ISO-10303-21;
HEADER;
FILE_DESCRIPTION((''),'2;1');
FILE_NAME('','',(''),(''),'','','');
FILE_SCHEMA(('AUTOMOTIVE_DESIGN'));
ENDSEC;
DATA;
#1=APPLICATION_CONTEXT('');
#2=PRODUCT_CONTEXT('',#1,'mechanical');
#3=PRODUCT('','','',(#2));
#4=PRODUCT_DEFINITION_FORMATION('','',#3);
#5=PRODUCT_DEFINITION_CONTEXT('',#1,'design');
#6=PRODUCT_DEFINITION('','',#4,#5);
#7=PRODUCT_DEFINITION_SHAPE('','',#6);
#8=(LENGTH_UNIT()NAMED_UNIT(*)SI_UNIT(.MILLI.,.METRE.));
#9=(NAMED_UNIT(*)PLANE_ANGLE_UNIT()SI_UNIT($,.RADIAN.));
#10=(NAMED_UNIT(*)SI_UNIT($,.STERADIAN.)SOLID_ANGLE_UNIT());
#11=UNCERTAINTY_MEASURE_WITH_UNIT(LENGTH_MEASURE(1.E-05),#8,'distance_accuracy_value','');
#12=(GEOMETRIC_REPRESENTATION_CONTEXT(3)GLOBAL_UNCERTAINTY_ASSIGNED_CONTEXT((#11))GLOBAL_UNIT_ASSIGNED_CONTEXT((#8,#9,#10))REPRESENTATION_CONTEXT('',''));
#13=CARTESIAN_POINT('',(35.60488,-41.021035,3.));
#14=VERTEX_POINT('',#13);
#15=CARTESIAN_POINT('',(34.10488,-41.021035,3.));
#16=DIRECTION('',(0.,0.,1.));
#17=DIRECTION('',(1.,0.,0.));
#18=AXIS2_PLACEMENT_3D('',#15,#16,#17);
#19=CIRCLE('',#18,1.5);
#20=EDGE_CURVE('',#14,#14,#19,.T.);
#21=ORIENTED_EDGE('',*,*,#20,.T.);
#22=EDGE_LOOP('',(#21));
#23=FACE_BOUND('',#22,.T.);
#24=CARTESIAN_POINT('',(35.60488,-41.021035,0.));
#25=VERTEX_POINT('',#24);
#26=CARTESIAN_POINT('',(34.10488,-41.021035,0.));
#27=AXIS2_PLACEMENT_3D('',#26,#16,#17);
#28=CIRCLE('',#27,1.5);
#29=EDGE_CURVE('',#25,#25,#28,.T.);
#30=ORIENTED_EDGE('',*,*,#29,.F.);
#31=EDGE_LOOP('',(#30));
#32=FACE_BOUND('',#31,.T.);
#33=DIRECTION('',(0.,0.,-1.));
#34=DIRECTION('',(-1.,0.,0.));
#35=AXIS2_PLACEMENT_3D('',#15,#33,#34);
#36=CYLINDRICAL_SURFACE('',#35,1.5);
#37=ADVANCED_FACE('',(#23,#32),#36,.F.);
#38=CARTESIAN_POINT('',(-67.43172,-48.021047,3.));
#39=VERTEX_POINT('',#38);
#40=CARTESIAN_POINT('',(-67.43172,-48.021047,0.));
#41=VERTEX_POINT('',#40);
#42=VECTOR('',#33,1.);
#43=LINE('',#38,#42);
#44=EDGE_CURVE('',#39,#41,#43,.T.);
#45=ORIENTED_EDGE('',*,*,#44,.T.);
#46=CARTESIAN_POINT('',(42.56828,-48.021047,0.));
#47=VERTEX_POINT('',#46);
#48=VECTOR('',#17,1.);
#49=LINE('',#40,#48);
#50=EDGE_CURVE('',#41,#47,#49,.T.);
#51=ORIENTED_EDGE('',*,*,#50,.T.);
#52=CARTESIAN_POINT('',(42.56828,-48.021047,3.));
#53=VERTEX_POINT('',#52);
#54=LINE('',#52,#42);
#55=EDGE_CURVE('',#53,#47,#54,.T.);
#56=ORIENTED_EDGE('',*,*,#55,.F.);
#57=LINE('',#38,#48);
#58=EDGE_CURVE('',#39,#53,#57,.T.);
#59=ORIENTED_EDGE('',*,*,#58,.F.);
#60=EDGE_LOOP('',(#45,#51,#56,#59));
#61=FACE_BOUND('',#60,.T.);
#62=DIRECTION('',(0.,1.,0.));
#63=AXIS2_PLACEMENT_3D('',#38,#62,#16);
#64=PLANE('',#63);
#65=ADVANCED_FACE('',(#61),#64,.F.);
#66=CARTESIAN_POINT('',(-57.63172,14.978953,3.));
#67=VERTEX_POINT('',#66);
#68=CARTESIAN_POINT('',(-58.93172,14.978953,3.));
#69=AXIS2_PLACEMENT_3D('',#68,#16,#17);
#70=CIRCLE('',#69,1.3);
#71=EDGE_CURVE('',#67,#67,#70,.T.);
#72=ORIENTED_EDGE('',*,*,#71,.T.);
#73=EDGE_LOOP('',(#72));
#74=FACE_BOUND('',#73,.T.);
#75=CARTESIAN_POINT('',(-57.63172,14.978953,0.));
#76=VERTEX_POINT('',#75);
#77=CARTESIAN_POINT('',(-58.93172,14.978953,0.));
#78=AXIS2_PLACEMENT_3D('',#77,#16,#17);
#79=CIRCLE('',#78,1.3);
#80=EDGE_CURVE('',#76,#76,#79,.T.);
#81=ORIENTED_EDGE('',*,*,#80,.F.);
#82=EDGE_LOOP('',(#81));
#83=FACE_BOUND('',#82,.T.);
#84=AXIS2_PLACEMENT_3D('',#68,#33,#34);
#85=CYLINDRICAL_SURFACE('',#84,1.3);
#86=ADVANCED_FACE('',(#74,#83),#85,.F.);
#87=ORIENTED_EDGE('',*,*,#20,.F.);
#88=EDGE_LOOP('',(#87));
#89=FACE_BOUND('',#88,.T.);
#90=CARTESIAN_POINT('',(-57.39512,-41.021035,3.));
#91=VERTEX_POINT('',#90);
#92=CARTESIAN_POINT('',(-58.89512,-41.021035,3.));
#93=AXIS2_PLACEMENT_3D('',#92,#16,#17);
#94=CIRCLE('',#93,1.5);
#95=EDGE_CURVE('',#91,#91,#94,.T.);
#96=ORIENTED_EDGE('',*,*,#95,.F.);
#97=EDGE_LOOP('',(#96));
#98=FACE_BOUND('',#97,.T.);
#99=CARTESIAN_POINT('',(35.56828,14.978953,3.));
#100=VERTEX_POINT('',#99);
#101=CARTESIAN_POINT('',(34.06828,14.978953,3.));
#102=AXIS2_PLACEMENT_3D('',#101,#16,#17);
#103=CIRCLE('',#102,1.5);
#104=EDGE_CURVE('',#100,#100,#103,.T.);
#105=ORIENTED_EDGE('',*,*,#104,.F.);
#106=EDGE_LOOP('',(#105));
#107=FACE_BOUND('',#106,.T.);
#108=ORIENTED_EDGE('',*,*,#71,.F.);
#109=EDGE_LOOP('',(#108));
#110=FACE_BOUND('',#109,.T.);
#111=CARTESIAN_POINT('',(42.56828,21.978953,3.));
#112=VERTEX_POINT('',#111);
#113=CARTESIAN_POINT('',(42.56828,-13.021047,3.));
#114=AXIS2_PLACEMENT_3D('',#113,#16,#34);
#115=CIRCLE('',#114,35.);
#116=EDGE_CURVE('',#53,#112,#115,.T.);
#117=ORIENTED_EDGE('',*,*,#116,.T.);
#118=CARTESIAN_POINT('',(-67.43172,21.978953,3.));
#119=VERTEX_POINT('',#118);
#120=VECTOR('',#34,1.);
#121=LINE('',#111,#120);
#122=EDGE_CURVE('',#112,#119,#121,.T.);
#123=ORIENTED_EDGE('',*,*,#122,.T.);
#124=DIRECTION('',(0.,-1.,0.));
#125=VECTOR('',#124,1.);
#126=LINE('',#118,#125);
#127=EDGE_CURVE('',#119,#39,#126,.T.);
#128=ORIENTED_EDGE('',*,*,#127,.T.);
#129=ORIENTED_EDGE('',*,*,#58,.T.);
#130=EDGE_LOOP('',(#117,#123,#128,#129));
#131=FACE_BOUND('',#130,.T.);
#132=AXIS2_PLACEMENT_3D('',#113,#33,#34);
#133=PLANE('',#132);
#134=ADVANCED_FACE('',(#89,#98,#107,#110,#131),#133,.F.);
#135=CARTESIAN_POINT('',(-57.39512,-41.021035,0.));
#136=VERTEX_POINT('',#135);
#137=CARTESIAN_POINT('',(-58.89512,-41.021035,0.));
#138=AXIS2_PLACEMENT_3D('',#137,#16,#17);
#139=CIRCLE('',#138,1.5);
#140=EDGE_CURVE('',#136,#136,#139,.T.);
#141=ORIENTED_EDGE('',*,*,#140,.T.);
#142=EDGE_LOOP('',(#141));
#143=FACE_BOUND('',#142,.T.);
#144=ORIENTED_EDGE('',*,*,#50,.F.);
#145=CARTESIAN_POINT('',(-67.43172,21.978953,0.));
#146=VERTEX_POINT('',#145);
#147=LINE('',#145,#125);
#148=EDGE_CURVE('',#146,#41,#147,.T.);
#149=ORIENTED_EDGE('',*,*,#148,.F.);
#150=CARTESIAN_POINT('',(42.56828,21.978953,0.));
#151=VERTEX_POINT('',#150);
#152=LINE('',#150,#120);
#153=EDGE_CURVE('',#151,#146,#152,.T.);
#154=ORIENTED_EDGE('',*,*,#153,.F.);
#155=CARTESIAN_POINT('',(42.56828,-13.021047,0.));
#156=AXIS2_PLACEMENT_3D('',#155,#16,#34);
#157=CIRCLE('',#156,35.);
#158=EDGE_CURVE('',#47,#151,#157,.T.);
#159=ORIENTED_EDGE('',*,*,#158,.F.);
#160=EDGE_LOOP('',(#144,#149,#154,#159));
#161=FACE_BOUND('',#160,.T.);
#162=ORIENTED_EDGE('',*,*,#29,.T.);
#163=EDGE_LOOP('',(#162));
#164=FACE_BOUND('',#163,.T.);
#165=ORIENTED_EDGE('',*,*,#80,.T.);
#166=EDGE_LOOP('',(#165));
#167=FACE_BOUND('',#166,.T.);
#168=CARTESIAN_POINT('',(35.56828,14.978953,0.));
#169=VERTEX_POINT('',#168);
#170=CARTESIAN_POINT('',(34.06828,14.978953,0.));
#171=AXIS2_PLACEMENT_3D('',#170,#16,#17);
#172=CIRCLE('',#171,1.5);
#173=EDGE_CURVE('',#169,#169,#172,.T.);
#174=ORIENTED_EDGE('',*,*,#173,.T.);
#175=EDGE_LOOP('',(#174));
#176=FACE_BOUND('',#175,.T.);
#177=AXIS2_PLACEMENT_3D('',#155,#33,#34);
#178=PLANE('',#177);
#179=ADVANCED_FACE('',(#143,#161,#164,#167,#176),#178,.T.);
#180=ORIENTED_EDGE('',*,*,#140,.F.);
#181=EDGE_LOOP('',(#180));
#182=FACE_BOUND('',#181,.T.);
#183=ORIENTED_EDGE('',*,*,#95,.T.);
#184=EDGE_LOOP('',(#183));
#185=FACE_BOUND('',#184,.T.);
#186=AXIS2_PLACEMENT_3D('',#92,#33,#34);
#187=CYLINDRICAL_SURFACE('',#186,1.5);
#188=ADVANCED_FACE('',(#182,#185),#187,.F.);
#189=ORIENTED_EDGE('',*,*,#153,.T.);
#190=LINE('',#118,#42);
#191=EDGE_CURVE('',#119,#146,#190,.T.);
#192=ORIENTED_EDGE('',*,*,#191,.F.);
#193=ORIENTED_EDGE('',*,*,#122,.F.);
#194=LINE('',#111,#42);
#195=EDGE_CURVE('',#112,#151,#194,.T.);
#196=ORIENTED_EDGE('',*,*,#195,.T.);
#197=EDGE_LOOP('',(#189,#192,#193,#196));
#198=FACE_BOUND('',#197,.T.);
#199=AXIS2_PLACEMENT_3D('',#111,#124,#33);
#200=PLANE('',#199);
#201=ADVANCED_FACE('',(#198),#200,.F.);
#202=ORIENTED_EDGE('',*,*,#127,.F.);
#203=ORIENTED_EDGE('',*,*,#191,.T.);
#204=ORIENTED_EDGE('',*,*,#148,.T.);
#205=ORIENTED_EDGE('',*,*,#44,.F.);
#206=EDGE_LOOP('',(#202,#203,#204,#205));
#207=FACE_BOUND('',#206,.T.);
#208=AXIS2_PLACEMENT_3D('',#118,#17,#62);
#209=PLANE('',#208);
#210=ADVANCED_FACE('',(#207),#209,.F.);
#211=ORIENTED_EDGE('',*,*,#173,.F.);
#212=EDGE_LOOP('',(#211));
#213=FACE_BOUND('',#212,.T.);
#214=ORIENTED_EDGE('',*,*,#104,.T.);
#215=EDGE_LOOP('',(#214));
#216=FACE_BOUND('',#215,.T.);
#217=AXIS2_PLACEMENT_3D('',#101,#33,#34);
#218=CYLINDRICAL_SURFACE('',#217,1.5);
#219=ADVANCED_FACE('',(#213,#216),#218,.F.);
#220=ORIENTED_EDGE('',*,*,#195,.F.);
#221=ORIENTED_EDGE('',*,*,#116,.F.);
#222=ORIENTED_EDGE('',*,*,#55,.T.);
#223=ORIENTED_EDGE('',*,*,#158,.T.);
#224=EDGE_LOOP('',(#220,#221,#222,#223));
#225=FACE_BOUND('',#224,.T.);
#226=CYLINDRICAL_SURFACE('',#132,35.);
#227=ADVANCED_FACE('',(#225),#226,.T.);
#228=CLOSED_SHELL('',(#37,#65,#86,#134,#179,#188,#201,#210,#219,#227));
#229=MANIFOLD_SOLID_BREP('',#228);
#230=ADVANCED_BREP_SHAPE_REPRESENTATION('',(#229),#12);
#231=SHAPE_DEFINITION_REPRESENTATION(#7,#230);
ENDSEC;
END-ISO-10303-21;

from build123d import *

# Parameters (mm, degrees)
SKETCH1_R           = 1.3
SKETCH1_R_2         = 1.5
BOSS_EXTRUDE1_DEPTH = 3


with BuildPart() as part:
    # Sketch1 → Boss-Extrude1 (new body)
    with BuildSketch(Plane.XY):
        with BuildLine():
            Line((-67.43171984, 21.978952762), (-67.43171984, -48.021047238))
            Line((-67.43171984, -48.021047238), (42.56828016, -48.021047238))
            ThreePointArc((42.56828016, -48.021047238), (77.56828016, -13.021047238), (42.56828016, 21.978952762))
            Line((42.56828016, 21.978952762), (-67.43171984, 21.978952762))
        make_face()
        with Locations((-58.93171984, 14.978952762)):
            Circle(SKETCH1_R, mode=Mode.SUBTRACT)
        with Locations((34.06828016, 14.978952762)):
            Circle(SKETCH1_R_2, mode=Mode.SUBTRACT)
        with Locations((34.104880448, -41.021035277)):
            Circle(SKETCH1_R_2, mode=Mode.SUBTRACT)
        with Locations((-58.895119552, -41.021035277)):
            Circle(SKETCH1_R_2, mode=Mode.SUBTRACT)
    extrude(amount=BOSS_EXTRUDE1_DEPTH)


solid = part.part
